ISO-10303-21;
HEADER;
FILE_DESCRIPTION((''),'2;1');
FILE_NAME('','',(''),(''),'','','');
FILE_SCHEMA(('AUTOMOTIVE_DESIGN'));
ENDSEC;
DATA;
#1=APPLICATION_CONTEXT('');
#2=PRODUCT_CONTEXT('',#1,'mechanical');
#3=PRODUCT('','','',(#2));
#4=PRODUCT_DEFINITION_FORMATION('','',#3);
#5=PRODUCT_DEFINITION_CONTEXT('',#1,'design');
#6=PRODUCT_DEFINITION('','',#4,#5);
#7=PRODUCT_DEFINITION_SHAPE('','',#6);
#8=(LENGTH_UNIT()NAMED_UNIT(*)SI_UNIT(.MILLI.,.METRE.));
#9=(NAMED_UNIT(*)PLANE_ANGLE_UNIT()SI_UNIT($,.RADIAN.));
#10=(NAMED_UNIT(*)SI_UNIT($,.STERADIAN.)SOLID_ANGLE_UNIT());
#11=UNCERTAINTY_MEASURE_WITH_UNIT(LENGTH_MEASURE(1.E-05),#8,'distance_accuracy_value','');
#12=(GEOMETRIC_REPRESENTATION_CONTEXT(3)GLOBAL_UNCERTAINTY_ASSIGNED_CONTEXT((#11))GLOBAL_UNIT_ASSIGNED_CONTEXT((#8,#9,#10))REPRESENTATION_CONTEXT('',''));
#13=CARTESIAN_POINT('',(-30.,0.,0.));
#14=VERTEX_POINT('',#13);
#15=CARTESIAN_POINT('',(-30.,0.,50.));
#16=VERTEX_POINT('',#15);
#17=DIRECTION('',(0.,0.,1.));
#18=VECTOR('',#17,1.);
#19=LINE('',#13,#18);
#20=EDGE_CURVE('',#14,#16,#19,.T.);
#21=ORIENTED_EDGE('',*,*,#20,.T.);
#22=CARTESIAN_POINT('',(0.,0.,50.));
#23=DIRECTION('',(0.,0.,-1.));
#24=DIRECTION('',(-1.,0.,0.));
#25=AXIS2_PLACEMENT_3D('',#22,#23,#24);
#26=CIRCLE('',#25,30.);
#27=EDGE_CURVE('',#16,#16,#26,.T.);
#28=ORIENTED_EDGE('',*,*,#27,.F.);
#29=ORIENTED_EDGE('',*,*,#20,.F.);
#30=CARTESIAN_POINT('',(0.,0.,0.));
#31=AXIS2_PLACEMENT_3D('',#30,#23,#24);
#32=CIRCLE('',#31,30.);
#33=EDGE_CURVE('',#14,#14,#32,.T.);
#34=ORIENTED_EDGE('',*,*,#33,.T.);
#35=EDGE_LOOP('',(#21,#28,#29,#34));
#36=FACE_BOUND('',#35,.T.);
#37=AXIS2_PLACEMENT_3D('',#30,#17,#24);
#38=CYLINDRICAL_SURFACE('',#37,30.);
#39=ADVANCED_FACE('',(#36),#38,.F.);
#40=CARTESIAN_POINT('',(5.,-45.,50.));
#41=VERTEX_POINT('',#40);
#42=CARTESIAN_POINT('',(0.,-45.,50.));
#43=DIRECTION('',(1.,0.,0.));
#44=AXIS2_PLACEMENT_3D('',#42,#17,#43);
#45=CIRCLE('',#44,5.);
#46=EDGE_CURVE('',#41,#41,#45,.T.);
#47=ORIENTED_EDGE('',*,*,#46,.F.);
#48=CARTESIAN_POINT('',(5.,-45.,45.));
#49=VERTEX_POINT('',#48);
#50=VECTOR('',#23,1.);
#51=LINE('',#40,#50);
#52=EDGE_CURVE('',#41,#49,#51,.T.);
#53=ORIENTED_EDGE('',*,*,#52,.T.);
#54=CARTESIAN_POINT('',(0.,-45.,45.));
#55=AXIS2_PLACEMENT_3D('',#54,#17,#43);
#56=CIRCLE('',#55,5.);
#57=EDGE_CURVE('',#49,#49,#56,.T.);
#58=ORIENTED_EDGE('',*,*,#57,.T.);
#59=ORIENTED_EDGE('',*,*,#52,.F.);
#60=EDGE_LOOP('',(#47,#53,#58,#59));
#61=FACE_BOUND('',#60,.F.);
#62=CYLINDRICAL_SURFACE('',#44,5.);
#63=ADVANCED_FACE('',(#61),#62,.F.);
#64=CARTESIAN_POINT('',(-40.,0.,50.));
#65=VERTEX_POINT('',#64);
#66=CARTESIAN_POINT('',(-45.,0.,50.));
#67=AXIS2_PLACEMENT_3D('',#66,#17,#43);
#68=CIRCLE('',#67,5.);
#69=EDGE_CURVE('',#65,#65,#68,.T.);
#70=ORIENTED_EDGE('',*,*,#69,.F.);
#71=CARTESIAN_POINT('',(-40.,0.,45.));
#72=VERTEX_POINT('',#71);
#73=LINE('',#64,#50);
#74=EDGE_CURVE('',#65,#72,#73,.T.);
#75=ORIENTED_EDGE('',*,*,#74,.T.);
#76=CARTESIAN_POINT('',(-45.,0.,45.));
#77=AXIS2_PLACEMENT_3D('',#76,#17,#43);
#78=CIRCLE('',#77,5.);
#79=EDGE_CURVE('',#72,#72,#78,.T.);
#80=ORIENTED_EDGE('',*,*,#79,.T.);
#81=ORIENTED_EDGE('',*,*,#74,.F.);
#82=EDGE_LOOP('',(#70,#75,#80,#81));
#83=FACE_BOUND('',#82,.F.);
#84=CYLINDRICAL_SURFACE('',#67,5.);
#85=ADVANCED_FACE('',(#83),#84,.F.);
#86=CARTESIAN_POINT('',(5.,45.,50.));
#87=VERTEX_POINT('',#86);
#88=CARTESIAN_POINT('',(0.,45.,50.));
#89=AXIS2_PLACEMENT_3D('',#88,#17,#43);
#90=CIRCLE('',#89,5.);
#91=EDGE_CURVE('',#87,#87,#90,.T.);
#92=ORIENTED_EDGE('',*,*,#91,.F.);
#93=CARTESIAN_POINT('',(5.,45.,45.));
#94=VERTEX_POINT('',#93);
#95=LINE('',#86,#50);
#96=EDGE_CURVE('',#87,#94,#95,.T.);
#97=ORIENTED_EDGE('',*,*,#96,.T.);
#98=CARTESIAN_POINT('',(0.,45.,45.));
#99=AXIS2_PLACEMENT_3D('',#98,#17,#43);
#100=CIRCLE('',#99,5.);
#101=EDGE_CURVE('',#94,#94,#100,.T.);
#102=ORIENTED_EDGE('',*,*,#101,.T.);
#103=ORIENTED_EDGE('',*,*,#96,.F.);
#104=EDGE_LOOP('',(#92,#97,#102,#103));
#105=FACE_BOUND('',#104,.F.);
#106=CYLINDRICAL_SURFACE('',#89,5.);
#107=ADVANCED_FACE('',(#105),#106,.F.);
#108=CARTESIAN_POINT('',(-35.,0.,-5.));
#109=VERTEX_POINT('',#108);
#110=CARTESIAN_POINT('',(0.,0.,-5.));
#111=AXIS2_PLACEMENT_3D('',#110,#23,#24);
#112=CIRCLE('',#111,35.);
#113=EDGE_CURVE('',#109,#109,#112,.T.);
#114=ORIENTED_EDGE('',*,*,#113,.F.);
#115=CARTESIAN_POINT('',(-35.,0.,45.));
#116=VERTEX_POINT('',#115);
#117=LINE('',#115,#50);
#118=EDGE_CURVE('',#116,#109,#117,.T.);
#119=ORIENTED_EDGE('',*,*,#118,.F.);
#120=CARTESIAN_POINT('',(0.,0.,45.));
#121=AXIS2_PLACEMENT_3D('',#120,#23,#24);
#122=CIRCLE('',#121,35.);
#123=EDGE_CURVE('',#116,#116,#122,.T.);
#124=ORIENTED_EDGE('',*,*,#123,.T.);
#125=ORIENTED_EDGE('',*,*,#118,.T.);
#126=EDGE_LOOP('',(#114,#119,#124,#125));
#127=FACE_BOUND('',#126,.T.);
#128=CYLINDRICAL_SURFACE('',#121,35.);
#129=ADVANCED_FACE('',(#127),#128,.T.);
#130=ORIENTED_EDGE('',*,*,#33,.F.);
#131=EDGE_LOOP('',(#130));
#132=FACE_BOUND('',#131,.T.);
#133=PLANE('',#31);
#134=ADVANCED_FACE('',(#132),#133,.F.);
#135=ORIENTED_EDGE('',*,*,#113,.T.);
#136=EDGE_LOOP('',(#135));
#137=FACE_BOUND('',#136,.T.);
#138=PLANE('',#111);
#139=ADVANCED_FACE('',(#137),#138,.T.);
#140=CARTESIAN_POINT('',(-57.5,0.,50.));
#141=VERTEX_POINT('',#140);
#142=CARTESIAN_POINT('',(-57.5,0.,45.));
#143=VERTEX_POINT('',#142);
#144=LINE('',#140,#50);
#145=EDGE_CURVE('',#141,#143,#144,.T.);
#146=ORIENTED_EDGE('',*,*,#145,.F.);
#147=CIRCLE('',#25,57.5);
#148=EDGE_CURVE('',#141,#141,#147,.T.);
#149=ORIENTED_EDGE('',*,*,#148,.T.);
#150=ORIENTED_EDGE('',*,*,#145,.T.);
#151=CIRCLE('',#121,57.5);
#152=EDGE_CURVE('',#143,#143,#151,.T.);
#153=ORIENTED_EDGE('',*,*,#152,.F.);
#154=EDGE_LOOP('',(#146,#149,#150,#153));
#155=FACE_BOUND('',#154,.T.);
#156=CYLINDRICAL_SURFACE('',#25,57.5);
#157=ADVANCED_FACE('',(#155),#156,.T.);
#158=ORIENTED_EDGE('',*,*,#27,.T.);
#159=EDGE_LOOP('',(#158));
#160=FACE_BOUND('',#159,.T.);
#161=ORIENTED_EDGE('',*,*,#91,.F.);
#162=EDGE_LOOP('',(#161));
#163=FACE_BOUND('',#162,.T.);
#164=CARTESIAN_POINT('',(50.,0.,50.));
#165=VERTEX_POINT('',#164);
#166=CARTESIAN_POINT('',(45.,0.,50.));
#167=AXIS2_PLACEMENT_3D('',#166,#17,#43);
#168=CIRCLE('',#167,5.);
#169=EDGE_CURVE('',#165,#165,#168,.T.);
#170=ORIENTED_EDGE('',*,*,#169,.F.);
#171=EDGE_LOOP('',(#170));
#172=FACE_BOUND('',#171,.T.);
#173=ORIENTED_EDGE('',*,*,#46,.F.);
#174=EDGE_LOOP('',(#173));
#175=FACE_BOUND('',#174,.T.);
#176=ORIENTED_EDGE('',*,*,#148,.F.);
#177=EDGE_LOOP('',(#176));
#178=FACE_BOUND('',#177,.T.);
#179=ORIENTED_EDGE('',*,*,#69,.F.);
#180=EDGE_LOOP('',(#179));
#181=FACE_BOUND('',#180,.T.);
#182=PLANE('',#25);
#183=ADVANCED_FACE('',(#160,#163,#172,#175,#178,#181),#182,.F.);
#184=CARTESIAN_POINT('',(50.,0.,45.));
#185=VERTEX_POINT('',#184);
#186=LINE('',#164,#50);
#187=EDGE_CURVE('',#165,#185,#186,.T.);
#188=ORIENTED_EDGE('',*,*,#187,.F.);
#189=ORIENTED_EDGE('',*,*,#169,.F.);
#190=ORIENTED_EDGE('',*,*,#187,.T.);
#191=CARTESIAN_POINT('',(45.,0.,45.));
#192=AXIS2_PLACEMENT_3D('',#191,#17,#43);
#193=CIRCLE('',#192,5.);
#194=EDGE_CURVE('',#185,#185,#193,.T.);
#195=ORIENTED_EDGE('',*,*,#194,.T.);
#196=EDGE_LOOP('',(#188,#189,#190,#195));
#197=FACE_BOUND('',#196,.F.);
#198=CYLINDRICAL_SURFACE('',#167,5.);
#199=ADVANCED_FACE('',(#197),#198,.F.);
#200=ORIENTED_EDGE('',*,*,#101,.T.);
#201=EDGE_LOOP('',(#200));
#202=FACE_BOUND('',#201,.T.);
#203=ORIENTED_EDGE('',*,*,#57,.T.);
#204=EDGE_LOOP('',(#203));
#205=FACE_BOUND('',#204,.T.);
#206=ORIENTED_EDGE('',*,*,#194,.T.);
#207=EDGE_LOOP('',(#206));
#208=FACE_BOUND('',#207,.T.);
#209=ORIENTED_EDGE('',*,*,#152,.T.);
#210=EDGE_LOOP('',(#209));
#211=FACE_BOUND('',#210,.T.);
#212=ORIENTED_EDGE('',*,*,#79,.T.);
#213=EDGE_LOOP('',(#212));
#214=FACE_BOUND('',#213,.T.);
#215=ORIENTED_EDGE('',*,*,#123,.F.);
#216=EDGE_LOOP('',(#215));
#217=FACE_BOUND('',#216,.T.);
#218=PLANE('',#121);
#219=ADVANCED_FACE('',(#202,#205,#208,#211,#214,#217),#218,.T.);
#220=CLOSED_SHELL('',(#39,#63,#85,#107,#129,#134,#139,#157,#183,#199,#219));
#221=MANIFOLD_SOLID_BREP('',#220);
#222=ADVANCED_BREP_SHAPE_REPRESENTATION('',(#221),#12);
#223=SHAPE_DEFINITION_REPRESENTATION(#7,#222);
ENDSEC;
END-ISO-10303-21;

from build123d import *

# Parameters (mm, degrees)
F2_R     = 5
F3_DEPTH = 25


with BuildPart() as f1:
    # F0 (on Front) → F1 (revolve)
    with BuildSketch(Plane.XZ):
        Polygon((-30, 50), (-57.5, 50), (-57.5, 45), (-35, 45), (-35, -5), (0, -5), (0, 0), (-30, 0), align=None)
    revolve(axis=Axis((0, 0, 20.000002), (0, 0, -1)))

    # F2 (on face) → F3 (cut)
    with BuildSketch(Plane.XY.offset(50)):
        with Locations((0, 45)):
            Circle(F2_R)
        with Locations((-45, 0)):
            Circle(F2_R)
        with Locations((0, -45)):
            Circle(F2_R)
        with Locations((45, 0)):
            Circle(F2_R)
    extrude(amount=-F3_DEPTH, mode=Mode.SUBTRACT)


solid = f1.part
